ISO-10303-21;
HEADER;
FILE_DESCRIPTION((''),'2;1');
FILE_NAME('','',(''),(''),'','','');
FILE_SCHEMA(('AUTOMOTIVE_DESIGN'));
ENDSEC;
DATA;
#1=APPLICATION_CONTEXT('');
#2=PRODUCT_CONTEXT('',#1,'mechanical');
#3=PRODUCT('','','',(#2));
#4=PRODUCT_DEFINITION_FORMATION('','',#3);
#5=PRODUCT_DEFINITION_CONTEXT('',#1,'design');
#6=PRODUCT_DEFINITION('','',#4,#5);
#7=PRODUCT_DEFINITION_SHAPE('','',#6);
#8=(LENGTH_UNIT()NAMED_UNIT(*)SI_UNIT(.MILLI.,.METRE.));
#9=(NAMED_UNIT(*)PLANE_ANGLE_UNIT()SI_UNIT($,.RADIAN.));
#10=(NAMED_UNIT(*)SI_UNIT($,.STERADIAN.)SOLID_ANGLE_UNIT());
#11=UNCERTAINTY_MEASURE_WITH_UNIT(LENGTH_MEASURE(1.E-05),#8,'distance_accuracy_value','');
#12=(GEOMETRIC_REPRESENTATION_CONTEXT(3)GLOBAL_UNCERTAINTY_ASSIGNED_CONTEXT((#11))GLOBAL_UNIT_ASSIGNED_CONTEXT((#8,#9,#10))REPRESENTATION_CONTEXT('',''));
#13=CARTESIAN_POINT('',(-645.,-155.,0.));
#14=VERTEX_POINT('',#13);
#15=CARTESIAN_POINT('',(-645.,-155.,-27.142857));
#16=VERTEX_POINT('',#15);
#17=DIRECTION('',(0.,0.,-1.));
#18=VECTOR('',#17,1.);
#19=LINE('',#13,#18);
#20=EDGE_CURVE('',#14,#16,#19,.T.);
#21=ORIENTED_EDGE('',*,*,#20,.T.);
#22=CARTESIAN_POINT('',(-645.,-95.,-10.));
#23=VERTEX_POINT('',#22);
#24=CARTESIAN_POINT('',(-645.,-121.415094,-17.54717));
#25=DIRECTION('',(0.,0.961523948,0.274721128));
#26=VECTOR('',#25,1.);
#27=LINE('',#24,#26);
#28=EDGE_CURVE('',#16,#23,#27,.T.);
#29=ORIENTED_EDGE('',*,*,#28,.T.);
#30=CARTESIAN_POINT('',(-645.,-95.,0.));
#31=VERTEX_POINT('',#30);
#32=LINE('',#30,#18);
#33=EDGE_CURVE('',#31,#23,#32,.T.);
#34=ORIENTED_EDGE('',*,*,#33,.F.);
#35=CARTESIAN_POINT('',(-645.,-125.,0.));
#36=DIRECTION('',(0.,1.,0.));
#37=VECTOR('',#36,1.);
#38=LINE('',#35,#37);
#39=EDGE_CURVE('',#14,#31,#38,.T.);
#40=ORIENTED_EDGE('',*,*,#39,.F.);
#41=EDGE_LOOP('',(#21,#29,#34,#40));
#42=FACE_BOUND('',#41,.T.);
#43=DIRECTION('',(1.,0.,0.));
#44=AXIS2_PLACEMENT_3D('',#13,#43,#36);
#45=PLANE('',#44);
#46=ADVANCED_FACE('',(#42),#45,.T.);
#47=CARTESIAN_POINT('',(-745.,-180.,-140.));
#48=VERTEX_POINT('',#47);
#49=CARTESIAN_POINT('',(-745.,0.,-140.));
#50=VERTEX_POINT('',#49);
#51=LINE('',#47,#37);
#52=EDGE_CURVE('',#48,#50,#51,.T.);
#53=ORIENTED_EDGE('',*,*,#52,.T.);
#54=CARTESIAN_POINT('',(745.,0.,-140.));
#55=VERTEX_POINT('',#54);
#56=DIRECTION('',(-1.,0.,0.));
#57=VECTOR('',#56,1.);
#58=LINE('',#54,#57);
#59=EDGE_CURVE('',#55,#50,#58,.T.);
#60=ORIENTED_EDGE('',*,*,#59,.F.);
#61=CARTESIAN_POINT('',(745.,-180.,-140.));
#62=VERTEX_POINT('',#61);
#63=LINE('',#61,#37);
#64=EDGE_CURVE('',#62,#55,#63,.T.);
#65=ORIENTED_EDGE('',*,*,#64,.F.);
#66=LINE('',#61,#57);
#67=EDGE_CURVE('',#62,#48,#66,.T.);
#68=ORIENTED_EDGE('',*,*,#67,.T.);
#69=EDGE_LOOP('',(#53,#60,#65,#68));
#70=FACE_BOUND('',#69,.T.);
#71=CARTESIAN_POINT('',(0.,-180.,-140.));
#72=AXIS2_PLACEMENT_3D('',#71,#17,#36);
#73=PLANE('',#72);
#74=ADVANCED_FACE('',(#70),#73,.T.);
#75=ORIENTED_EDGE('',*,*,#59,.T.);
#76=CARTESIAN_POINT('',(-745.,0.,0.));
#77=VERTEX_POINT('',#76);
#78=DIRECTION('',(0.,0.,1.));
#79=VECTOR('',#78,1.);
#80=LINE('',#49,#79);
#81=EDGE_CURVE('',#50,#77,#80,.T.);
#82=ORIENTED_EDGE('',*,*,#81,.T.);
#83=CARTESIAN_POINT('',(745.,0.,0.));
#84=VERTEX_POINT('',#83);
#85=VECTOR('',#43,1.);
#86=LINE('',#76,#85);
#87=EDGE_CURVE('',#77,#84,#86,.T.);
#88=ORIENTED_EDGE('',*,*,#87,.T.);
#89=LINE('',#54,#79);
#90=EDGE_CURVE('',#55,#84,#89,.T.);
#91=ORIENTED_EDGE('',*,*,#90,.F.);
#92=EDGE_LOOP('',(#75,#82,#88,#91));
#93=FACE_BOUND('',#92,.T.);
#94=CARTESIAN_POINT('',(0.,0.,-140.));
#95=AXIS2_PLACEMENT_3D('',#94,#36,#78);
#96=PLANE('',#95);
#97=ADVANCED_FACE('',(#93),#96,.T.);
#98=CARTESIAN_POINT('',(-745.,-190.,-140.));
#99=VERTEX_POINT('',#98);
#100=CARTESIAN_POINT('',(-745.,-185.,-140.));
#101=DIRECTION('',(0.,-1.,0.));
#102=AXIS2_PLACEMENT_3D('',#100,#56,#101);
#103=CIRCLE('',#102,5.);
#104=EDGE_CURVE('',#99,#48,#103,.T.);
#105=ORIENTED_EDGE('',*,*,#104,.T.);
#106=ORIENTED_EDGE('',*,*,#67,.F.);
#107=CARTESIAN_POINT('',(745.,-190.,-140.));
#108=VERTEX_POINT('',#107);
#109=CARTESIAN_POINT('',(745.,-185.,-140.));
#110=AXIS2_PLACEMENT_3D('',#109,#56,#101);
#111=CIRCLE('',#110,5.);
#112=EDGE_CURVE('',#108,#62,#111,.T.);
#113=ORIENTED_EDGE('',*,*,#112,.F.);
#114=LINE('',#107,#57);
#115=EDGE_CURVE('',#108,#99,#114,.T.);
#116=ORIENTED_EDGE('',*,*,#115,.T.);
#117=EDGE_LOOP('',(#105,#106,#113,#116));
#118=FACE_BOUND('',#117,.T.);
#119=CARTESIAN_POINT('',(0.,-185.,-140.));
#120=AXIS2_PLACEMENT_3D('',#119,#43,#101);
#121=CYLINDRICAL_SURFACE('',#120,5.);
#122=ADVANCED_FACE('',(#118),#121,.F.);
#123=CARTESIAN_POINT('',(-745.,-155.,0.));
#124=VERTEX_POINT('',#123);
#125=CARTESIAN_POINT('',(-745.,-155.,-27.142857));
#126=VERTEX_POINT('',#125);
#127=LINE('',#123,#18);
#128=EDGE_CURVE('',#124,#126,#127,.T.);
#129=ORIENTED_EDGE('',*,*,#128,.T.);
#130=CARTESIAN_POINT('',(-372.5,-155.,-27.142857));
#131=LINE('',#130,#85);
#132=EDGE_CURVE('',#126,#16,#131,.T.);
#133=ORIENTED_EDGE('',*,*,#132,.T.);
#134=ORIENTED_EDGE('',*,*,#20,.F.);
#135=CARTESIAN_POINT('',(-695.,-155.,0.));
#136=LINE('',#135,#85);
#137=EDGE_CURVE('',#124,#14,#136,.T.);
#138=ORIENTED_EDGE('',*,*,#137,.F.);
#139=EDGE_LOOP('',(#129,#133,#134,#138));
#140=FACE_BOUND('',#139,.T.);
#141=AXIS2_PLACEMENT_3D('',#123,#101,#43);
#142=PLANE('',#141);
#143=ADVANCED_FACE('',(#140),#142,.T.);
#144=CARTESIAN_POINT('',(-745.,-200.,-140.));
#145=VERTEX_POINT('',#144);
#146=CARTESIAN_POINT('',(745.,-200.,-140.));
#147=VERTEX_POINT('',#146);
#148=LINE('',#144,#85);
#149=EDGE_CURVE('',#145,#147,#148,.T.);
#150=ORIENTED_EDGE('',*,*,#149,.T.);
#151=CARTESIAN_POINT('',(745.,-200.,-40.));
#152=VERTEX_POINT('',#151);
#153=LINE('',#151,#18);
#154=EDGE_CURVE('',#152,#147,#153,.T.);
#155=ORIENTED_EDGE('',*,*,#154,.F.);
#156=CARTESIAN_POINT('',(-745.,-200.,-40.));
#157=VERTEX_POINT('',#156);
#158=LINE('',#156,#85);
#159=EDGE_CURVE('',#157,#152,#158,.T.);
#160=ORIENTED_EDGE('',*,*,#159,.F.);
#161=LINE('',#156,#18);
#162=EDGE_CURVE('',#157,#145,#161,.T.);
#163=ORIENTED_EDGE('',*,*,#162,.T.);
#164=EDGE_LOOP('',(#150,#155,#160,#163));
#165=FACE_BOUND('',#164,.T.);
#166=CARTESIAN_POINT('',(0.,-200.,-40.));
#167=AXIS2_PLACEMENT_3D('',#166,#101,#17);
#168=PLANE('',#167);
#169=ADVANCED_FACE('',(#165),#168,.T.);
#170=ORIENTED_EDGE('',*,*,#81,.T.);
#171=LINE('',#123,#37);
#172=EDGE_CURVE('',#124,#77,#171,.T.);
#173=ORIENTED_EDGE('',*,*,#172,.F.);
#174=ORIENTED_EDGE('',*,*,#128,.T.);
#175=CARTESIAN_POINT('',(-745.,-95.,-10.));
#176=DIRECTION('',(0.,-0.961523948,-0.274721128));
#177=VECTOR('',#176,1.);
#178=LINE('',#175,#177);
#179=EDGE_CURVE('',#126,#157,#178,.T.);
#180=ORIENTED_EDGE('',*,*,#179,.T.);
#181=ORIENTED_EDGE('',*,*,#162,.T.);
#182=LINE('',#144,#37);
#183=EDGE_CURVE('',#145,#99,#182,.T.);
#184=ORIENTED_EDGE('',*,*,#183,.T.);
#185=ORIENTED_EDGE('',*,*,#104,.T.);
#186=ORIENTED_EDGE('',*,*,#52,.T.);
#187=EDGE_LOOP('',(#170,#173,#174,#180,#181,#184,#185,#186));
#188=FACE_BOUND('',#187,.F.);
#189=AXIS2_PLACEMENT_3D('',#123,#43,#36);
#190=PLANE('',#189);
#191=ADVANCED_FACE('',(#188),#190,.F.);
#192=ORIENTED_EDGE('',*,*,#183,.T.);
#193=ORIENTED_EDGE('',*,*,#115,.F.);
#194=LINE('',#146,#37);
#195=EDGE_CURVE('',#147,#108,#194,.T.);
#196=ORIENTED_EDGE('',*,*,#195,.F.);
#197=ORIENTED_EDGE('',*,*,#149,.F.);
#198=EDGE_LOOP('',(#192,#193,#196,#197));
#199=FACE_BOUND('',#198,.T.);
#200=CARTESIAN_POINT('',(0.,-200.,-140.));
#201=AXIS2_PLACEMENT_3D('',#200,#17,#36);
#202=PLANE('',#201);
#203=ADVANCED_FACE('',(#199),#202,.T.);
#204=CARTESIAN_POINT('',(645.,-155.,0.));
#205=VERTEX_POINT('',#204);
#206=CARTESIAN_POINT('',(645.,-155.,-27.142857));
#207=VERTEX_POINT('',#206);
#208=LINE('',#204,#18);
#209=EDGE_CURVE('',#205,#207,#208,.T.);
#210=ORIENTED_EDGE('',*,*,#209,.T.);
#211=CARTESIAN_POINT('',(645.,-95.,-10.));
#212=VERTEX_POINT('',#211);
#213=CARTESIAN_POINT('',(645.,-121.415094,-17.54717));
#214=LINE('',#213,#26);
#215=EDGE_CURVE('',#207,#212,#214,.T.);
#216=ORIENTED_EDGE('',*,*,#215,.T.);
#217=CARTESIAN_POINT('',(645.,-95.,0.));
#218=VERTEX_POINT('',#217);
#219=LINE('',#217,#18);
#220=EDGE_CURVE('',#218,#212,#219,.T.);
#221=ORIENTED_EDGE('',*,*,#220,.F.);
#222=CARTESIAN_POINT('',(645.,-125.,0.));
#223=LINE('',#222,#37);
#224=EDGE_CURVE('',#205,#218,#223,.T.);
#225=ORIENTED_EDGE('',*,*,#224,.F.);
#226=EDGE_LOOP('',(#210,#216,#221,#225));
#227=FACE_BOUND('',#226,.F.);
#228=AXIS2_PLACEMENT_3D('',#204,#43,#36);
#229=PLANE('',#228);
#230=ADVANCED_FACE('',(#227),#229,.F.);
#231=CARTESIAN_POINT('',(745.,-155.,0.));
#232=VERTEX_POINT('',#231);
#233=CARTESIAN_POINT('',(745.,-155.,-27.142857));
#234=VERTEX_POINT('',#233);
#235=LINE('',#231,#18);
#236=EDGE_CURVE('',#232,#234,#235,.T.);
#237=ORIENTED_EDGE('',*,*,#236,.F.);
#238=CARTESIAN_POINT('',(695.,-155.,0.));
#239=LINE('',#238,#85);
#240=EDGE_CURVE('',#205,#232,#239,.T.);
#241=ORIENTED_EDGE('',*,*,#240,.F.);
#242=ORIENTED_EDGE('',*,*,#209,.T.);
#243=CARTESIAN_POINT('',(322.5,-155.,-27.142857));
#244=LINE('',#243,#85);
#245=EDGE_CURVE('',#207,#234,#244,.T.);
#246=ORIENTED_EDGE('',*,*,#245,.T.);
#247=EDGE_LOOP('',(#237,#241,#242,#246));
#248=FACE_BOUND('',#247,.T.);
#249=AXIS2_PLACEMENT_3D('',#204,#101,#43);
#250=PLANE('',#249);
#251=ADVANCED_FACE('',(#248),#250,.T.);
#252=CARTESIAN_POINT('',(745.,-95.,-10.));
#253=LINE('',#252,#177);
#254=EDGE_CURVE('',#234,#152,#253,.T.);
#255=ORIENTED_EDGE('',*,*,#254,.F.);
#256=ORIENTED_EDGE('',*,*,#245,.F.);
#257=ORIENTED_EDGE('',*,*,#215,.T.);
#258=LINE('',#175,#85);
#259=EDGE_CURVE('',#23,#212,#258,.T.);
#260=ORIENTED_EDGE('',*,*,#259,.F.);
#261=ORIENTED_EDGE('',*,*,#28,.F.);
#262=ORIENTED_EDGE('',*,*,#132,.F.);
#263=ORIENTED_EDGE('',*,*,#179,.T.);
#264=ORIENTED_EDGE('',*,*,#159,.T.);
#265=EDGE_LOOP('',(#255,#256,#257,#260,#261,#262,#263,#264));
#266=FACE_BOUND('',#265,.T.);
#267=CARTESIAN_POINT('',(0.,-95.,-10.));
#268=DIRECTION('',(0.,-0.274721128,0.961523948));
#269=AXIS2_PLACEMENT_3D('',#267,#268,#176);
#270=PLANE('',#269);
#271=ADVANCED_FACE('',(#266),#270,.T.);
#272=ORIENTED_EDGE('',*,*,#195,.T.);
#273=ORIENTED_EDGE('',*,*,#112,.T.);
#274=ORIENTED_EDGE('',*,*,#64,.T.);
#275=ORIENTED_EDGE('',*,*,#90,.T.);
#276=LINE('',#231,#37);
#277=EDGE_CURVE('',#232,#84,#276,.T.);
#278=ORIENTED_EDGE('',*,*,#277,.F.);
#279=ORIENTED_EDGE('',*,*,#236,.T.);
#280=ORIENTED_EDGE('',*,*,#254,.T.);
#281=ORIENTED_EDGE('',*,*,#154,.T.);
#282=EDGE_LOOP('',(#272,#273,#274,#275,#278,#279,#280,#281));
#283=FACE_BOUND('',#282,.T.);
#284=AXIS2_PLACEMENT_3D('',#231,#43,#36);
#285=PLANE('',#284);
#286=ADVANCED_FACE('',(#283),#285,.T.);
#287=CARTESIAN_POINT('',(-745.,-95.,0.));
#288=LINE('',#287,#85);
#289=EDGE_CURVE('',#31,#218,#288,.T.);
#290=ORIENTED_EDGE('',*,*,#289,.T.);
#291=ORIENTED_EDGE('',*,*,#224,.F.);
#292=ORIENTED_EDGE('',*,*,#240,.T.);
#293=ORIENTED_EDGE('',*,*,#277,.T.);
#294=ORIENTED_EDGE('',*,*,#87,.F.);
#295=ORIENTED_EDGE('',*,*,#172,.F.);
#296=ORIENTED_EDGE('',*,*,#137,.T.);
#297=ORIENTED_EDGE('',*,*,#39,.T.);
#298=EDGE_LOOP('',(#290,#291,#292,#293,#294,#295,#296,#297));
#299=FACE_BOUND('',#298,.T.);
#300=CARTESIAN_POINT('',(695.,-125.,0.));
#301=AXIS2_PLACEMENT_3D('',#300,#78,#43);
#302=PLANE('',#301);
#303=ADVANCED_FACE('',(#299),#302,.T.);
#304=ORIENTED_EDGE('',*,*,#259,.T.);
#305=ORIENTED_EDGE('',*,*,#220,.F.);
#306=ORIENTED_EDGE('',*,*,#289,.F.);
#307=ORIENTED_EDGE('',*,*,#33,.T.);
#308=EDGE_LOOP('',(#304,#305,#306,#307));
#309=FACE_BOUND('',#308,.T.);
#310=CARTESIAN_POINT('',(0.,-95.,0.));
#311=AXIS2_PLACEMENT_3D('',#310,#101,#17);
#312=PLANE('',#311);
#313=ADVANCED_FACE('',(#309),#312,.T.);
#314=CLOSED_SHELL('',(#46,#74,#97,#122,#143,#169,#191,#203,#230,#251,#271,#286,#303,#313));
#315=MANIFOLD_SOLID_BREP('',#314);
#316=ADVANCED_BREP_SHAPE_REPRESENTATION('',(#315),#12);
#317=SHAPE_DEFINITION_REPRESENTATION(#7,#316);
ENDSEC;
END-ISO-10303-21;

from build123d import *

# Parameters (mm, degrees)
F1_DEPTH = 745
F2_W     = 100
F2_H     = 60
F4_W     = 100
F4_H     = 60


with BuildPart() as f1:
    # F0 (on Right) → F1 (new body, symmetric)
    with BuildSketch(Plane.YZ):
        with BuildLine():
            Line((0, -140), (0, 0))
            Line((0, 0), (-95, 0))
            Line((-95, 0), (-95, -10))
            Line((-95, -10), (-200, -40))
            Line((-200, -40), (-200, -140))
            Line((-200, -140), (-190, -140))
            ThreePointArc((-190, -140), (-185, -135), (-180, -140))
            Line((-180, -140), (0, -140))
        make_face()
    extrude(amount=F1_DEPTH, both=True)

    # F2 (on face) → F3 (join, up to the next surface of F1)
    with BuildSketch(Plane.XY):
        with Locations((-695, -125)):
            Rectangle(F2_W, F2_H)
    extrude(until=Until.NEXT, dir=(0, 0, -1))

    # F4 (on face) → F5 (join, up to the next surface of F1)
    with BuildSketch(Plane.XY):
        with Locations((695, -125)):
            Rectangle(F4_W, F4_H)
    extrude(until=Until.NEXT, dir=(0, 0, -1))


solid = f1.part
